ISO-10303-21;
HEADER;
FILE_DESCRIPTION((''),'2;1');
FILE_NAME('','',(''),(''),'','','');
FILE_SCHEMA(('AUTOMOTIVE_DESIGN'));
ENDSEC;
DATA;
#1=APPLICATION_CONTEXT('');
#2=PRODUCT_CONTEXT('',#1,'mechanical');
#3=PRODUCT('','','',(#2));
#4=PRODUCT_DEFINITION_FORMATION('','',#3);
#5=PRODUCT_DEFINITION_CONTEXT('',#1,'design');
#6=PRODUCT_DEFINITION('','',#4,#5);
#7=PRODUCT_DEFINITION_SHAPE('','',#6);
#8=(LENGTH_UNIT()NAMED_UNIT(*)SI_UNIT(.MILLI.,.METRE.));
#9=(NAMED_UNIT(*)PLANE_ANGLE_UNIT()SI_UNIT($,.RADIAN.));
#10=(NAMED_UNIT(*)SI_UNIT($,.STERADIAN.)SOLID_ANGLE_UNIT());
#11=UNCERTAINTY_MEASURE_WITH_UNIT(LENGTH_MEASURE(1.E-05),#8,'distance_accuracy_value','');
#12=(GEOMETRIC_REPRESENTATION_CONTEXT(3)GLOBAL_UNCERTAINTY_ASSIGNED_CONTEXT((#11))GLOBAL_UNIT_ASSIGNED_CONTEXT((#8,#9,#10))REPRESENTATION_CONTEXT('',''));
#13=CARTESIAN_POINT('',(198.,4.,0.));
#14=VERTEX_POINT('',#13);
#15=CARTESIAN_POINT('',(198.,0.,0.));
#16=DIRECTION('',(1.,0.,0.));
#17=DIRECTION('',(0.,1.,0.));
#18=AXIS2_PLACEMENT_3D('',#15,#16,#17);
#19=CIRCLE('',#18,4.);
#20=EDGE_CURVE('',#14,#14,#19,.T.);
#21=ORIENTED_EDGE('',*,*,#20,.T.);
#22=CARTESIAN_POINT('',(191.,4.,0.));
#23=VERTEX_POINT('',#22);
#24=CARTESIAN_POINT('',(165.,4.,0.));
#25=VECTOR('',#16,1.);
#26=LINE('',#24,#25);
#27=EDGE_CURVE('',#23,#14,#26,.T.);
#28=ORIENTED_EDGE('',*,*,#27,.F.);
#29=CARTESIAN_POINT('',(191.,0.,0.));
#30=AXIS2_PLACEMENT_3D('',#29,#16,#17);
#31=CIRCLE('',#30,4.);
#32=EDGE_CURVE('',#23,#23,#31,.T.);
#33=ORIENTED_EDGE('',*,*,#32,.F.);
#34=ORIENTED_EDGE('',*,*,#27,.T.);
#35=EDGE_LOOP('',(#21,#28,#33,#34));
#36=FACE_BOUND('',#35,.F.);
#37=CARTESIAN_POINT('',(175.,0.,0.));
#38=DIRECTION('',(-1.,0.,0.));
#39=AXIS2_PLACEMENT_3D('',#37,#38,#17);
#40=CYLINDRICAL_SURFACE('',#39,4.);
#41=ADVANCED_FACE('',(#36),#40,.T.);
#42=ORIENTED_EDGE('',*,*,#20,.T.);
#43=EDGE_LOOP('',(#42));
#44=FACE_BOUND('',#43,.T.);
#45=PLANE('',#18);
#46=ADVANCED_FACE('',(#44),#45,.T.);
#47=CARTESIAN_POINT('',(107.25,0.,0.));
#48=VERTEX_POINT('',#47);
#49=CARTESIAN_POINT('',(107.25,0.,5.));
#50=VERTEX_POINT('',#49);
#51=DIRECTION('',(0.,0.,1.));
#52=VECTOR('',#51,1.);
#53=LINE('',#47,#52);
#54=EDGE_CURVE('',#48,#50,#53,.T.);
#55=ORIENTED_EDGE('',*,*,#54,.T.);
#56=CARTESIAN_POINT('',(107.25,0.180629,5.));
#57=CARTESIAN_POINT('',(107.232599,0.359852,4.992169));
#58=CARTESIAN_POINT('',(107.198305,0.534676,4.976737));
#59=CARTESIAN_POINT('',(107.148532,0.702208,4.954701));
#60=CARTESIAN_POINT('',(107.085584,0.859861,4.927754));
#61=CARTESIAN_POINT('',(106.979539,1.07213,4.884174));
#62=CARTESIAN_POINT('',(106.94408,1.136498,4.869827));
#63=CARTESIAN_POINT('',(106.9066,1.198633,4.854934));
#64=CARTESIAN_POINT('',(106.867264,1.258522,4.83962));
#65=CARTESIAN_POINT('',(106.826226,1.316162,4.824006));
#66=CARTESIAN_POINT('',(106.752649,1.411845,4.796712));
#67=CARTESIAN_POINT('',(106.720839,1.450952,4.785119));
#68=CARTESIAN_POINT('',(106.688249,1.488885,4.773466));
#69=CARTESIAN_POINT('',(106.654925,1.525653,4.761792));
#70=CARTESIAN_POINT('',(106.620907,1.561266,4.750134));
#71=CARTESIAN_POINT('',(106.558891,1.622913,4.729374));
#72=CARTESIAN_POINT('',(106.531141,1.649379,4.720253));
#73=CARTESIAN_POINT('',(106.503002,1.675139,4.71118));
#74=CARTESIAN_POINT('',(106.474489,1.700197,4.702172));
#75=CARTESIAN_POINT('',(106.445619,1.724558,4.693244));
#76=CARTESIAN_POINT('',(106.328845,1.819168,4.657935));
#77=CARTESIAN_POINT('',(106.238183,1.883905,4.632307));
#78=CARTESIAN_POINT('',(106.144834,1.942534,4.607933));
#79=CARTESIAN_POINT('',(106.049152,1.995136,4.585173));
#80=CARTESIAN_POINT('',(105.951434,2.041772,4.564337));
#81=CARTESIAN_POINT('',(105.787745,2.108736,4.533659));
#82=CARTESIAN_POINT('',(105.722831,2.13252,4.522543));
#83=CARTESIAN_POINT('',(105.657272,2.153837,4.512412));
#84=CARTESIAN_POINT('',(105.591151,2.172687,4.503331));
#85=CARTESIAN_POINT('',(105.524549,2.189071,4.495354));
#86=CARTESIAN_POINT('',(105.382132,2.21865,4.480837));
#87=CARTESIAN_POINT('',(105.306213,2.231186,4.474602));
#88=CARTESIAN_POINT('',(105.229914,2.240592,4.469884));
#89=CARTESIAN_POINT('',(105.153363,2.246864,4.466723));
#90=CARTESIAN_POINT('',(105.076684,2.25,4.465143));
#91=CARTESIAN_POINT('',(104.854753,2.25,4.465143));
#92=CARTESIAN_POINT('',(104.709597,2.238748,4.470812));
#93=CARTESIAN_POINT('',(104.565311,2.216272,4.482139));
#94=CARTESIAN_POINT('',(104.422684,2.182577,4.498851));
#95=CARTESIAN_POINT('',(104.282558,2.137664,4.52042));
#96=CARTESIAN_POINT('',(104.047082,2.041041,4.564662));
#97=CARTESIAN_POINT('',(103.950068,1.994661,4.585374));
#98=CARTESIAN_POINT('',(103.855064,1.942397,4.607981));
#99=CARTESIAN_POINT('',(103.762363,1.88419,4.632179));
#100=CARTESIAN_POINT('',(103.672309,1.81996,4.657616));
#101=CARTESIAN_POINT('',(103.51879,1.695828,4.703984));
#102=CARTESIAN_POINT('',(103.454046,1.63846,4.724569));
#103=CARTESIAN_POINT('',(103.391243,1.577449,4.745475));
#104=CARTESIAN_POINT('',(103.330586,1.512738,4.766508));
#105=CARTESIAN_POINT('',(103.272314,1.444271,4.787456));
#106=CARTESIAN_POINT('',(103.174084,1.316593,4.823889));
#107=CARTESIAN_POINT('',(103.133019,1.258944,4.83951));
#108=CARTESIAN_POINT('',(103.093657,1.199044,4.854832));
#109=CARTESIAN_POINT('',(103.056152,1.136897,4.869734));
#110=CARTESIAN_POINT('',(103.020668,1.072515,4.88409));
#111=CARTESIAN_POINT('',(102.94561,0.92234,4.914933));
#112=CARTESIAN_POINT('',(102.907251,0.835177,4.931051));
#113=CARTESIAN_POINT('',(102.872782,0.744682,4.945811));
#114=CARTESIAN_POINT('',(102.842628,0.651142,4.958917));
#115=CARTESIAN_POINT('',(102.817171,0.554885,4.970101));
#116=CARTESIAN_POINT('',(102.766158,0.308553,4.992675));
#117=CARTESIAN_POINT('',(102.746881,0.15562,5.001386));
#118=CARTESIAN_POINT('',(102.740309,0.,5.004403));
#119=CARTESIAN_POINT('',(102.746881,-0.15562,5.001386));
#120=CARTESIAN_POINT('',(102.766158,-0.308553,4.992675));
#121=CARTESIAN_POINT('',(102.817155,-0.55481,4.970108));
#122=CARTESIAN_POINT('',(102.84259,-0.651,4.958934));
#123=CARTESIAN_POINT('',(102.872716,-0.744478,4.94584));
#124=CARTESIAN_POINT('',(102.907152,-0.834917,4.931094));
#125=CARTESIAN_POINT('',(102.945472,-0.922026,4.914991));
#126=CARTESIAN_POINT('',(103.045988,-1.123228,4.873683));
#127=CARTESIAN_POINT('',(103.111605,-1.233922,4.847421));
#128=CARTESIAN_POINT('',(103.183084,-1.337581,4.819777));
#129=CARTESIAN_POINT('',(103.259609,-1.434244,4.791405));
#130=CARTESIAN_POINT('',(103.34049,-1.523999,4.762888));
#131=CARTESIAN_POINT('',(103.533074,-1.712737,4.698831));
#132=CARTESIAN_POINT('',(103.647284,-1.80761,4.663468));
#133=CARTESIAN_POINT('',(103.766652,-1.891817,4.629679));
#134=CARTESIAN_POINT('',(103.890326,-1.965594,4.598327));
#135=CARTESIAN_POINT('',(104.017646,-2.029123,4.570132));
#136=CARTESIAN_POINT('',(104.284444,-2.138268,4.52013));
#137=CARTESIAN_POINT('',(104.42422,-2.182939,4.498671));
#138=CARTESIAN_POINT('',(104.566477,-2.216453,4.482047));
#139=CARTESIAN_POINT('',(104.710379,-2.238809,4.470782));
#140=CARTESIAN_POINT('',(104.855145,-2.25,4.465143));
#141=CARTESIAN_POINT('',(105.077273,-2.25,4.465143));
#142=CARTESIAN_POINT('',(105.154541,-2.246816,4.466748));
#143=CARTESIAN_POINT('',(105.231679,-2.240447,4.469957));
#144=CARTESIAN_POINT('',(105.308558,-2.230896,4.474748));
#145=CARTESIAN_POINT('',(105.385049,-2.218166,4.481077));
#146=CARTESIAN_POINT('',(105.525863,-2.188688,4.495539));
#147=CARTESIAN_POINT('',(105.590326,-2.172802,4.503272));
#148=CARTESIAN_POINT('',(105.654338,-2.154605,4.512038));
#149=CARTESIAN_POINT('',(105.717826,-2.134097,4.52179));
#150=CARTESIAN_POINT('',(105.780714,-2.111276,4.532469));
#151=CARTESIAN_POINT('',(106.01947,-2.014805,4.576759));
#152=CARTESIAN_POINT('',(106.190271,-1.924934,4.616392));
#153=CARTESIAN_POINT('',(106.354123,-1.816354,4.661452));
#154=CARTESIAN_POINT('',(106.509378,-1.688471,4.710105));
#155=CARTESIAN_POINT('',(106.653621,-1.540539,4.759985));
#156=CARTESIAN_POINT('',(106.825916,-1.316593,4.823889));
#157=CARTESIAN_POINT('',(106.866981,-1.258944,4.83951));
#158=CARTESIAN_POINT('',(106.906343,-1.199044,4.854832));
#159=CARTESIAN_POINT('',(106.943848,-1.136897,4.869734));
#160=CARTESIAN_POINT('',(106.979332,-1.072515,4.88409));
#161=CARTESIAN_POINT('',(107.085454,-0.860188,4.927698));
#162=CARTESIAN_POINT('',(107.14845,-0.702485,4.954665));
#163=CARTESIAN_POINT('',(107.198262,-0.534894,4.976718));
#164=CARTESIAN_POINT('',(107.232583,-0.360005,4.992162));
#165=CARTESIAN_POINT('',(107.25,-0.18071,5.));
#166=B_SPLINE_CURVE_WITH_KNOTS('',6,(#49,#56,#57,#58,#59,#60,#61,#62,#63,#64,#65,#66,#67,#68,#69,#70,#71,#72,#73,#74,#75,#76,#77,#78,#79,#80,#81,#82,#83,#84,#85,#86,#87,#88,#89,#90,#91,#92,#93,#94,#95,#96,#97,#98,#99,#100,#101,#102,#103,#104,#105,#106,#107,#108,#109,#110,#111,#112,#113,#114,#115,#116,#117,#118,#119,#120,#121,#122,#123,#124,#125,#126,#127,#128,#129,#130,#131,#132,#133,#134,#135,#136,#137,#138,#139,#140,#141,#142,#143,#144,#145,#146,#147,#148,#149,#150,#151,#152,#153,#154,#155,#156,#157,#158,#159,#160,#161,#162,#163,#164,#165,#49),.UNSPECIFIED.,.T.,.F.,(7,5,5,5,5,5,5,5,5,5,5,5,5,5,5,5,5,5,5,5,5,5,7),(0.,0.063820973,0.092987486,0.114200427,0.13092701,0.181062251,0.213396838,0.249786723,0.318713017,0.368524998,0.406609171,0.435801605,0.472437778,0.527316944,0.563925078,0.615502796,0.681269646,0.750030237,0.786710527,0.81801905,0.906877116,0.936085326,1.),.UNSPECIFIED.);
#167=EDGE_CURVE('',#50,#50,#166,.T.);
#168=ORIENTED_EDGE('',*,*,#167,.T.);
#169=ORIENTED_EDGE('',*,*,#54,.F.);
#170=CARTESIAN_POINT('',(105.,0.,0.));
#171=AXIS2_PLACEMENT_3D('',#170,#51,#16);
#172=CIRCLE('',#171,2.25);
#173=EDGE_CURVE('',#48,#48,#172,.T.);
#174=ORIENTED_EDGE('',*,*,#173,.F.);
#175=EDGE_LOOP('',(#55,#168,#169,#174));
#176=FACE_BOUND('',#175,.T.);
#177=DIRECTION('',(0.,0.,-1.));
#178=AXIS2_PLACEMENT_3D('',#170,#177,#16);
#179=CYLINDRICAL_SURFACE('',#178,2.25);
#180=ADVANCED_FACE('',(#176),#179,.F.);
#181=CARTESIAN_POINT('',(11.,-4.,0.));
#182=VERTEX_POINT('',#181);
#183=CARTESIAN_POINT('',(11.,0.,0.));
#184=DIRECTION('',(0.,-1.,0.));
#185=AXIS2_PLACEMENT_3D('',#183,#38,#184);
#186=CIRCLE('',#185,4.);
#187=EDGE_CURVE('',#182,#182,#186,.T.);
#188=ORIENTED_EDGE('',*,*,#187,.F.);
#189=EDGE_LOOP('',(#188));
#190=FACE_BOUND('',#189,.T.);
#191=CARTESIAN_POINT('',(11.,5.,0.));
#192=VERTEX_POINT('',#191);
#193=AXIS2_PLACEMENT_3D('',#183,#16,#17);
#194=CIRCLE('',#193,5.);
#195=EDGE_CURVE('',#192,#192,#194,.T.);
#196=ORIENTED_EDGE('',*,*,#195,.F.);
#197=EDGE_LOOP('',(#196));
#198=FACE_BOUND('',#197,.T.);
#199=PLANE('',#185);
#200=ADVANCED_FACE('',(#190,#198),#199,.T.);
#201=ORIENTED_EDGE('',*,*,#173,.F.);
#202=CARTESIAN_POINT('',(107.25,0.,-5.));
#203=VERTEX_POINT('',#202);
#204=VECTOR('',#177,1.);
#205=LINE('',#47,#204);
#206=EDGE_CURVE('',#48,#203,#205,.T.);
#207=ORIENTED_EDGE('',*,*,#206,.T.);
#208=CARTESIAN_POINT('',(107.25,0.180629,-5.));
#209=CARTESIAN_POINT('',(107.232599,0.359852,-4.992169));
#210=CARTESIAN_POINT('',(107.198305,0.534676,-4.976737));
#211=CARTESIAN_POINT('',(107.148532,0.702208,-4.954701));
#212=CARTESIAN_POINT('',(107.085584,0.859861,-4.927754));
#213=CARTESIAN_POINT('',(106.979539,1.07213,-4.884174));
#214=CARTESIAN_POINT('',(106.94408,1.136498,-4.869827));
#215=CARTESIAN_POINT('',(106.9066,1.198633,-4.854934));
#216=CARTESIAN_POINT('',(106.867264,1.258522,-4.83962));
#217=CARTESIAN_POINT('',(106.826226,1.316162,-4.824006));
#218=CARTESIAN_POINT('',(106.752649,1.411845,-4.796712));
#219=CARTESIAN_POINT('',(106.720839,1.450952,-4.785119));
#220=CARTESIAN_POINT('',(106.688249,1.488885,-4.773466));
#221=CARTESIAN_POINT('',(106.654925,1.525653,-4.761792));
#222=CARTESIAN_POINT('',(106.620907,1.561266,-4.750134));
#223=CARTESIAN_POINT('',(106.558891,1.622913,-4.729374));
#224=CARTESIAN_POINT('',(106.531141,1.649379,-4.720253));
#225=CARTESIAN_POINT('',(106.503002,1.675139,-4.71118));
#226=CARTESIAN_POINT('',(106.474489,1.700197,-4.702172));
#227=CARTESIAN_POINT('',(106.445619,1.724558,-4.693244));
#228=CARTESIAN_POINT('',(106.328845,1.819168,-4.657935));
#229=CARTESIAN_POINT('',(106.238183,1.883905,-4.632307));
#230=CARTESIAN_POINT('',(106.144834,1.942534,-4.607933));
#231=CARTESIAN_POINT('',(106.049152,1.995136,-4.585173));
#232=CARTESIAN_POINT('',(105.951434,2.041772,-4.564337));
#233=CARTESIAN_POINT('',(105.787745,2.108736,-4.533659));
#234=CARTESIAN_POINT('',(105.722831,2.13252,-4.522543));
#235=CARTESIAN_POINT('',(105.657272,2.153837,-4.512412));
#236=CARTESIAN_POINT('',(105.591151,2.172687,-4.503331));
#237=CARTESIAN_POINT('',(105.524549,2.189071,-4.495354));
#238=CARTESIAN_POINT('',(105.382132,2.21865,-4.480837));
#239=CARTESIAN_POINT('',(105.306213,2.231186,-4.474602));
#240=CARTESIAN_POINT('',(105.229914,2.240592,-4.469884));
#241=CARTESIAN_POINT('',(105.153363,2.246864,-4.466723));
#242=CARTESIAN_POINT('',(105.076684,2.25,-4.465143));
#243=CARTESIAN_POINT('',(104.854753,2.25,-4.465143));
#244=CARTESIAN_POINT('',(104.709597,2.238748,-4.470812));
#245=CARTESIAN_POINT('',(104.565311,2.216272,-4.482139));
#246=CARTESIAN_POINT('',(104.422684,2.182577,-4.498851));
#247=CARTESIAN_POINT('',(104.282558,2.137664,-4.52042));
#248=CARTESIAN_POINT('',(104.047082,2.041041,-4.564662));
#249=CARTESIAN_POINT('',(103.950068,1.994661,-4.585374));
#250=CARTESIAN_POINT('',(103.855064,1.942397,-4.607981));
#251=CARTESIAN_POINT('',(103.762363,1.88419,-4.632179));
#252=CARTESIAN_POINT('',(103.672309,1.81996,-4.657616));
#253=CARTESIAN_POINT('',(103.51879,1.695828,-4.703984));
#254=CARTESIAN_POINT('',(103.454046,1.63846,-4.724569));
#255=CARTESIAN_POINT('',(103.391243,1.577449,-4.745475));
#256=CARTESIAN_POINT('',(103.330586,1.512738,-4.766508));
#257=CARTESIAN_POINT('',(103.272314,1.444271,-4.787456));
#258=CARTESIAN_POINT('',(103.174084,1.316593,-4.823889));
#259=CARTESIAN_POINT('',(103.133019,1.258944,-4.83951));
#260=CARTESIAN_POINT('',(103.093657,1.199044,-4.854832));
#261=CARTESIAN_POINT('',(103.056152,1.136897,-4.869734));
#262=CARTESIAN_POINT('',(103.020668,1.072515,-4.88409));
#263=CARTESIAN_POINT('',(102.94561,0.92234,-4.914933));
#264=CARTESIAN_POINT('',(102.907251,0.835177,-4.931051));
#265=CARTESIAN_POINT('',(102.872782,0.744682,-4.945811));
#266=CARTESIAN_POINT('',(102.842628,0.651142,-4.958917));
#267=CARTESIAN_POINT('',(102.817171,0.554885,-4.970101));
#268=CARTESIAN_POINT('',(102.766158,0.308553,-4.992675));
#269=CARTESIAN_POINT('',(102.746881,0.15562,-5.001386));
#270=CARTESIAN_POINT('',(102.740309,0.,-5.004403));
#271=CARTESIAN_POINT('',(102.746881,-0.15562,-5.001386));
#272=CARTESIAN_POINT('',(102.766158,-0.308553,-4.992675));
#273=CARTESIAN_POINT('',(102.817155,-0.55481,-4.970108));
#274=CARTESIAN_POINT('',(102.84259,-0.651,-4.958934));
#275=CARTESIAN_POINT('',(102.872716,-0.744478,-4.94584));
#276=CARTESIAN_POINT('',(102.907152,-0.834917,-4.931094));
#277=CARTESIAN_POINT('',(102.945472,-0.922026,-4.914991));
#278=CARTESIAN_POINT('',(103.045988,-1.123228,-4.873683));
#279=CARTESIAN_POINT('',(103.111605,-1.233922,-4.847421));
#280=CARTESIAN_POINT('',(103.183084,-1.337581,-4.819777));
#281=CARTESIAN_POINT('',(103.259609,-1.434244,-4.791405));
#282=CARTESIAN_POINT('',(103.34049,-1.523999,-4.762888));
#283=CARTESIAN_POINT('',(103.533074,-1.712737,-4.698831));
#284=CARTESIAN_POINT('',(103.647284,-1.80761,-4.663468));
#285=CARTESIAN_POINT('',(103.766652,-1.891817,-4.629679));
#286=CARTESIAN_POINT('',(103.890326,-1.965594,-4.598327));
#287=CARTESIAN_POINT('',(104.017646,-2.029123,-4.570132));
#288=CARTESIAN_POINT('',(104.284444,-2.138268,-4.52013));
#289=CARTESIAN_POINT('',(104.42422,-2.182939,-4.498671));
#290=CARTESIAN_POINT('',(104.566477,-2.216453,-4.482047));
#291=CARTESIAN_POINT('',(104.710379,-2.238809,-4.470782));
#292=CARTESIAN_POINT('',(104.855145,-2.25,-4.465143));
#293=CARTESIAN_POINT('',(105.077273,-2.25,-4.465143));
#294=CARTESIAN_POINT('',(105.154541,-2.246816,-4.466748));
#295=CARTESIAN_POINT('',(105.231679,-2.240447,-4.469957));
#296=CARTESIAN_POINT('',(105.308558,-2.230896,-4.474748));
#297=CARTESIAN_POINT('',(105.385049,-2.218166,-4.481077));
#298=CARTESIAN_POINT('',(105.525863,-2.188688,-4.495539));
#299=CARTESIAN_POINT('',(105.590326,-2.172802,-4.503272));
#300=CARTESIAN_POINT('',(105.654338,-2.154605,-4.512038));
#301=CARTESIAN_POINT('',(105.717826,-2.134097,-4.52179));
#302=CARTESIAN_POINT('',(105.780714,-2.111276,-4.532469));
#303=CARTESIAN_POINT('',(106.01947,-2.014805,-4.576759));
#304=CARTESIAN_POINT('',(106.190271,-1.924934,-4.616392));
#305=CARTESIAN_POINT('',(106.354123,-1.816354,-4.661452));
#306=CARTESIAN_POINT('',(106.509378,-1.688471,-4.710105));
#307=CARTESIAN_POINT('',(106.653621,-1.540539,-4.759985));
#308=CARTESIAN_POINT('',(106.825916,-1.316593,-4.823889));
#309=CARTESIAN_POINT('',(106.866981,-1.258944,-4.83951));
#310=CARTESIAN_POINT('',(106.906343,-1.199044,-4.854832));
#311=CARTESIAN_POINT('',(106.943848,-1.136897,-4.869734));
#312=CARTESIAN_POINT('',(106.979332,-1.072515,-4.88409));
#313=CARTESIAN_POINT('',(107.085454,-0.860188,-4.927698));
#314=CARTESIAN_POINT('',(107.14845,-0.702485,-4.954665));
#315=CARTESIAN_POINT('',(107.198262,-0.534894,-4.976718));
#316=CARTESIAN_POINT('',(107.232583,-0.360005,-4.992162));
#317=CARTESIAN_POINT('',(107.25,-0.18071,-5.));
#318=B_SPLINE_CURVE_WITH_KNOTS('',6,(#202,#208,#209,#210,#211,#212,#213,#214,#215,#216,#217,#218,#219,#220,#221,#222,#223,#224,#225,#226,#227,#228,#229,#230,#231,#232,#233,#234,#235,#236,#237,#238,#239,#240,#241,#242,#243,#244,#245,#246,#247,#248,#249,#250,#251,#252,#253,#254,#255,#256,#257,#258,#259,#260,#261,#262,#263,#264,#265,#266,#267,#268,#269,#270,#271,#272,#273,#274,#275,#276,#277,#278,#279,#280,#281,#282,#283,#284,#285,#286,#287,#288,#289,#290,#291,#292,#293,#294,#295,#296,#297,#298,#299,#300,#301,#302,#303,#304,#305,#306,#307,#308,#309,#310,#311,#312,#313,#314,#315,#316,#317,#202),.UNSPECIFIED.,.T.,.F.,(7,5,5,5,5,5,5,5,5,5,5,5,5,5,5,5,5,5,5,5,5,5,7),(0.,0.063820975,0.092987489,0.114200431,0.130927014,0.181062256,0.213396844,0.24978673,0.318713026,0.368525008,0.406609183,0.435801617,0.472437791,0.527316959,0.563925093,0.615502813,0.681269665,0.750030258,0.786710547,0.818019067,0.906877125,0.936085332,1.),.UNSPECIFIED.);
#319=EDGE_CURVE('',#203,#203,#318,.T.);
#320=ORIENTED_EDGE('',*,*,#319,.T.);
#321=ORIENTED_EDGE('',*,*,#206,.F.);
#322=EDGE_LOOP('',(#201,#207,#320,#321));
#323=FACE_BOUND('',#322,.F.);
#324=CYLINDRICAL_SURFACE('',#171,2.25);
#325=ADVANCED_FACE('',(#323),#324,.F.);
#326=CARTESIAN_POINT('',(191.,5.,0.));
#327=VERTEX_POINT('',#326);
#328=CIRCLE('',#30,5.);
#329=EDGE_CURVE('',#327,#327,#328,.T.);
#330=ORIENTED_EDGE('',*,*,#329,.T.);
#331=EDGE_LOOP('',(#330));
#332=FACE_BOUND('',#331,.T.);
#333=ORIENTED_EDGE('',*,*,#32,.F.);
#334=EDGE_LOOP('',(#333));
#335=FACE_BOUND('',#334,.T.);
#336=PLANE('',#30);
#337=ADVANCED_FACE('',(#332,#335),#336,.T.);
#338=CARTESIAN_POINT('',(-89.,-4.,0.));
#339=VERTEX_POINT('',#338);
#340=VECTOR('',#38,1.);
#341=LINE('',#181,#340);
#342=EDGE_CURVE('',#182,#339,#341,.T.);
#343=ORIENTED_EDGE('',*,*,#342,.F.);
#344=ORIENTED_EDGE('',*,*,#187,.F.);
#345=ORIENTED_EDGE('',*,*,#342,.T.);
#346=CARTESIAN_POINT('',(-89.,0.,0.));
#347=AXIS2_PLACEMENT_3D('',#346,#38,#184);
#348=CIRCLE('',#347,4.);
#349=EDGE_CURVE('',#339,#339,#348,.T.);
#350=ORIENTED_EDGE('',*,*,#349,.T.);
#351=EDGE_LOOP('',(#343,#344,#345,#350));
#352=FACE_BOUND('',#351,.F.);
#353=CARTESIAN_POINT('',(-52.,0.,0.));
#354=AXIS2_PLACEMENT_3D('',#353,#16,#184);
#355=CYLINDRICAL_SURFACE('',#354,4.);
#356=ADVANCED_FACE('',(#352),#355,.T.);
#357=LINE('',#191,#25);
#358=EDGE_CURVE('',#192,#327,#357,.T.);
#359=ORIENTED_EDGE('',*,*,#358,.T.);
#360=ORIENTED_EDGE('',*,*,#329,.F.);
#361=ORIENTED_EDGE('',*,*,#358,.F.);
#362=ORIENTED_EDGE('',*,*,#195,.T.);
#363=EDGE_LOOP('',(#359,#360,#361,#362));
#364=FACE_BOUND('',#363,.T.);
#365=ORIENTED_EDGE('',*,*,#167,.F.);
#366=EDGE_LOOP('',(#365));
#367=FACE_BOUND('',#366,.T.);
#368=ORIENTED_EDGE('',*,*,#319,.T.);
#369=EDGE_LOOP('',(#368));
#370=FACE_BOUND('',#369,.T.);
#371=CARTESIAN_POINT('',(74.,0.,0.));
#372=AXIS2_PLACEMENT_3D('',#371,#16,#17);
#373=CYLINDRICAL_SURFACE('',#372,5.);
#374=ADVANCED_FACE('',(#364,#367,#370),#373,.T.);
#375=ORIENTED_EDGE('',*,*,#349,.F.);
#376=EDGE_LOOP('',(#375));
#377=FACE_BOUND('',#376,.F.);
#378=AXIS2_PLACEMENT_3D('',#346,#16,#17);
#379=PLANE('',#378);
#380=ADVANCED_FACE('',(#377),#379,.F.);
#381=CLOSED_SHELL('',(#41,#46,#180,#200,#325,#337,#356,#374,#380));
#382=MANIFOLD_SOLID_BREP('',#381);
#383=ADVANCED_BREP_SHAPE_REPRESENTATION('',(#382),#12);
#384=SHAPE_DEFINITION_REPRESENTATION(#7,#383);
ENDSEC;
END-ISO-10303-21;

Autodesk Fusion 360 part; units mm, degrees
sketch "Sketch1" plane through (0, 0, 0) normal (1, 0, 0) x (0, 1, 0)
  circle A0 centre (0, 0) radius 5
  dimension "d1" = 10
extrude "Extrude1" add sketch "Sketch1" along normal blind 180
sketch "Sketch2" plane through (180, 0, 0) normal (1, 0, 0) x (0, 1, 0)
  circle A0 centre (0, 0) radius 5
  circle A1 centre (0, 0) radius 4
  dimension "d4" = 8
extrude "Extrude2" cut sketch "Sketch2" against normal blind 20
sketch "Sketch3" plane through (0, 0, 0) normal (-1, 0, 0) x (0, -1, 0)
  circle A0 centre (0, 0) radius 5
  circle A1 centre (0, 0) radius 4
  dimension "d7" = 8
extrude "Extrude3" cut sketch "Sketch3" against normal blind 100
extrude "Extrude4" add 1 faces at (160, 4.6332, -0.4471) along direction (1, 0, 0) blind 5
extrude "Extrude5" cut 1 faces at (180, -1.2456, 0.0132) along direction (-1, 0, 0) blind 5
extrude "Extrude6" add 1 faces at (175, -1.2456, 0.0132) along direction (1, 0, 0) blind 26
extrude "Extrude7" add 1 faces at (165, 4.6332, -0.4471) along direction (1, 0, 0) blind 26
extrude "Extrude8" add 1 faces at (100, 4.6332, 0.4471) along direction (-1, 0, 0) blind 26
extrude "Extrude9" cut 1 faces at (0, 0.2111, 0.732) along direction (1, 0, 0) blind 30.1
extrude "Extrude10" add 1 faces at (30.1, 0.2111, 0.732) along direction (-1, 0, 0) blind 0.1
extrude "Extrude11" cut 1 faces at (30, 0.2111, 0.732) along direction (1, 0, 0) blind 1
extrude "Extrude12" add 1 faces at (31, 0.2111, 0.732) along direction (-1, 0, 0) blind 10
extrude "Extrude13" add 1 faces at (21, 0.2111, 0.732) along direction (-1, 0, 0) blind 10
sketch "Sketch4" plane through (0, 0, 0) normal (0, 0, 1) x (1, 0, 0)
  line L0 (191, 0) -> (186, 0)
  circle A0 centre (186, 0) radius 2.25
  circle A1 centre (161, 0) radius 2.25
  dimension "d30" = 5
  dimension "d31" = 4.5
  dimension "d35" = 4.5
sketch "Sketch5" plane through (0, 0, 0) normal (0, 0, 1) x (1, 0, 0)
  circle A0 centre (161, 0) radius 2.25
  line L0 (191, -5) -> (191, 5)
  dimension "d38" = 4.5
  dimension "d39" = 30
extrude "Extrude17" add 1 faces at (11, 0.2111, 0.732) along direction (-1, 0, 0) blind 63
extrude "Extrude18" add 1 faces at (74, 4.6332, 0.4471) along direction (-1, 0, 0) blind 63
extrude "Extrude19" add 1 faces at (-52, 0.2111, 0.732) along direction (-1, 0, 0) blind 37
extrude "Extrude20" cut 1 faces at (201, -1.2456, 0.0132) along direction (-1, 0, 0) blind 3
sketch "Sketch6" plane through (0, 0, 0) normal (0, 0, 1) x (1, 0, 0)
  line L0 (190, 0) -> (105, 0)
  circle A0 centre (105, 0) radius 2.25
  dimension "d50" = 4.5
extrude "Extrude21" cut sketch "Sketch6" along normal mid plane 20
